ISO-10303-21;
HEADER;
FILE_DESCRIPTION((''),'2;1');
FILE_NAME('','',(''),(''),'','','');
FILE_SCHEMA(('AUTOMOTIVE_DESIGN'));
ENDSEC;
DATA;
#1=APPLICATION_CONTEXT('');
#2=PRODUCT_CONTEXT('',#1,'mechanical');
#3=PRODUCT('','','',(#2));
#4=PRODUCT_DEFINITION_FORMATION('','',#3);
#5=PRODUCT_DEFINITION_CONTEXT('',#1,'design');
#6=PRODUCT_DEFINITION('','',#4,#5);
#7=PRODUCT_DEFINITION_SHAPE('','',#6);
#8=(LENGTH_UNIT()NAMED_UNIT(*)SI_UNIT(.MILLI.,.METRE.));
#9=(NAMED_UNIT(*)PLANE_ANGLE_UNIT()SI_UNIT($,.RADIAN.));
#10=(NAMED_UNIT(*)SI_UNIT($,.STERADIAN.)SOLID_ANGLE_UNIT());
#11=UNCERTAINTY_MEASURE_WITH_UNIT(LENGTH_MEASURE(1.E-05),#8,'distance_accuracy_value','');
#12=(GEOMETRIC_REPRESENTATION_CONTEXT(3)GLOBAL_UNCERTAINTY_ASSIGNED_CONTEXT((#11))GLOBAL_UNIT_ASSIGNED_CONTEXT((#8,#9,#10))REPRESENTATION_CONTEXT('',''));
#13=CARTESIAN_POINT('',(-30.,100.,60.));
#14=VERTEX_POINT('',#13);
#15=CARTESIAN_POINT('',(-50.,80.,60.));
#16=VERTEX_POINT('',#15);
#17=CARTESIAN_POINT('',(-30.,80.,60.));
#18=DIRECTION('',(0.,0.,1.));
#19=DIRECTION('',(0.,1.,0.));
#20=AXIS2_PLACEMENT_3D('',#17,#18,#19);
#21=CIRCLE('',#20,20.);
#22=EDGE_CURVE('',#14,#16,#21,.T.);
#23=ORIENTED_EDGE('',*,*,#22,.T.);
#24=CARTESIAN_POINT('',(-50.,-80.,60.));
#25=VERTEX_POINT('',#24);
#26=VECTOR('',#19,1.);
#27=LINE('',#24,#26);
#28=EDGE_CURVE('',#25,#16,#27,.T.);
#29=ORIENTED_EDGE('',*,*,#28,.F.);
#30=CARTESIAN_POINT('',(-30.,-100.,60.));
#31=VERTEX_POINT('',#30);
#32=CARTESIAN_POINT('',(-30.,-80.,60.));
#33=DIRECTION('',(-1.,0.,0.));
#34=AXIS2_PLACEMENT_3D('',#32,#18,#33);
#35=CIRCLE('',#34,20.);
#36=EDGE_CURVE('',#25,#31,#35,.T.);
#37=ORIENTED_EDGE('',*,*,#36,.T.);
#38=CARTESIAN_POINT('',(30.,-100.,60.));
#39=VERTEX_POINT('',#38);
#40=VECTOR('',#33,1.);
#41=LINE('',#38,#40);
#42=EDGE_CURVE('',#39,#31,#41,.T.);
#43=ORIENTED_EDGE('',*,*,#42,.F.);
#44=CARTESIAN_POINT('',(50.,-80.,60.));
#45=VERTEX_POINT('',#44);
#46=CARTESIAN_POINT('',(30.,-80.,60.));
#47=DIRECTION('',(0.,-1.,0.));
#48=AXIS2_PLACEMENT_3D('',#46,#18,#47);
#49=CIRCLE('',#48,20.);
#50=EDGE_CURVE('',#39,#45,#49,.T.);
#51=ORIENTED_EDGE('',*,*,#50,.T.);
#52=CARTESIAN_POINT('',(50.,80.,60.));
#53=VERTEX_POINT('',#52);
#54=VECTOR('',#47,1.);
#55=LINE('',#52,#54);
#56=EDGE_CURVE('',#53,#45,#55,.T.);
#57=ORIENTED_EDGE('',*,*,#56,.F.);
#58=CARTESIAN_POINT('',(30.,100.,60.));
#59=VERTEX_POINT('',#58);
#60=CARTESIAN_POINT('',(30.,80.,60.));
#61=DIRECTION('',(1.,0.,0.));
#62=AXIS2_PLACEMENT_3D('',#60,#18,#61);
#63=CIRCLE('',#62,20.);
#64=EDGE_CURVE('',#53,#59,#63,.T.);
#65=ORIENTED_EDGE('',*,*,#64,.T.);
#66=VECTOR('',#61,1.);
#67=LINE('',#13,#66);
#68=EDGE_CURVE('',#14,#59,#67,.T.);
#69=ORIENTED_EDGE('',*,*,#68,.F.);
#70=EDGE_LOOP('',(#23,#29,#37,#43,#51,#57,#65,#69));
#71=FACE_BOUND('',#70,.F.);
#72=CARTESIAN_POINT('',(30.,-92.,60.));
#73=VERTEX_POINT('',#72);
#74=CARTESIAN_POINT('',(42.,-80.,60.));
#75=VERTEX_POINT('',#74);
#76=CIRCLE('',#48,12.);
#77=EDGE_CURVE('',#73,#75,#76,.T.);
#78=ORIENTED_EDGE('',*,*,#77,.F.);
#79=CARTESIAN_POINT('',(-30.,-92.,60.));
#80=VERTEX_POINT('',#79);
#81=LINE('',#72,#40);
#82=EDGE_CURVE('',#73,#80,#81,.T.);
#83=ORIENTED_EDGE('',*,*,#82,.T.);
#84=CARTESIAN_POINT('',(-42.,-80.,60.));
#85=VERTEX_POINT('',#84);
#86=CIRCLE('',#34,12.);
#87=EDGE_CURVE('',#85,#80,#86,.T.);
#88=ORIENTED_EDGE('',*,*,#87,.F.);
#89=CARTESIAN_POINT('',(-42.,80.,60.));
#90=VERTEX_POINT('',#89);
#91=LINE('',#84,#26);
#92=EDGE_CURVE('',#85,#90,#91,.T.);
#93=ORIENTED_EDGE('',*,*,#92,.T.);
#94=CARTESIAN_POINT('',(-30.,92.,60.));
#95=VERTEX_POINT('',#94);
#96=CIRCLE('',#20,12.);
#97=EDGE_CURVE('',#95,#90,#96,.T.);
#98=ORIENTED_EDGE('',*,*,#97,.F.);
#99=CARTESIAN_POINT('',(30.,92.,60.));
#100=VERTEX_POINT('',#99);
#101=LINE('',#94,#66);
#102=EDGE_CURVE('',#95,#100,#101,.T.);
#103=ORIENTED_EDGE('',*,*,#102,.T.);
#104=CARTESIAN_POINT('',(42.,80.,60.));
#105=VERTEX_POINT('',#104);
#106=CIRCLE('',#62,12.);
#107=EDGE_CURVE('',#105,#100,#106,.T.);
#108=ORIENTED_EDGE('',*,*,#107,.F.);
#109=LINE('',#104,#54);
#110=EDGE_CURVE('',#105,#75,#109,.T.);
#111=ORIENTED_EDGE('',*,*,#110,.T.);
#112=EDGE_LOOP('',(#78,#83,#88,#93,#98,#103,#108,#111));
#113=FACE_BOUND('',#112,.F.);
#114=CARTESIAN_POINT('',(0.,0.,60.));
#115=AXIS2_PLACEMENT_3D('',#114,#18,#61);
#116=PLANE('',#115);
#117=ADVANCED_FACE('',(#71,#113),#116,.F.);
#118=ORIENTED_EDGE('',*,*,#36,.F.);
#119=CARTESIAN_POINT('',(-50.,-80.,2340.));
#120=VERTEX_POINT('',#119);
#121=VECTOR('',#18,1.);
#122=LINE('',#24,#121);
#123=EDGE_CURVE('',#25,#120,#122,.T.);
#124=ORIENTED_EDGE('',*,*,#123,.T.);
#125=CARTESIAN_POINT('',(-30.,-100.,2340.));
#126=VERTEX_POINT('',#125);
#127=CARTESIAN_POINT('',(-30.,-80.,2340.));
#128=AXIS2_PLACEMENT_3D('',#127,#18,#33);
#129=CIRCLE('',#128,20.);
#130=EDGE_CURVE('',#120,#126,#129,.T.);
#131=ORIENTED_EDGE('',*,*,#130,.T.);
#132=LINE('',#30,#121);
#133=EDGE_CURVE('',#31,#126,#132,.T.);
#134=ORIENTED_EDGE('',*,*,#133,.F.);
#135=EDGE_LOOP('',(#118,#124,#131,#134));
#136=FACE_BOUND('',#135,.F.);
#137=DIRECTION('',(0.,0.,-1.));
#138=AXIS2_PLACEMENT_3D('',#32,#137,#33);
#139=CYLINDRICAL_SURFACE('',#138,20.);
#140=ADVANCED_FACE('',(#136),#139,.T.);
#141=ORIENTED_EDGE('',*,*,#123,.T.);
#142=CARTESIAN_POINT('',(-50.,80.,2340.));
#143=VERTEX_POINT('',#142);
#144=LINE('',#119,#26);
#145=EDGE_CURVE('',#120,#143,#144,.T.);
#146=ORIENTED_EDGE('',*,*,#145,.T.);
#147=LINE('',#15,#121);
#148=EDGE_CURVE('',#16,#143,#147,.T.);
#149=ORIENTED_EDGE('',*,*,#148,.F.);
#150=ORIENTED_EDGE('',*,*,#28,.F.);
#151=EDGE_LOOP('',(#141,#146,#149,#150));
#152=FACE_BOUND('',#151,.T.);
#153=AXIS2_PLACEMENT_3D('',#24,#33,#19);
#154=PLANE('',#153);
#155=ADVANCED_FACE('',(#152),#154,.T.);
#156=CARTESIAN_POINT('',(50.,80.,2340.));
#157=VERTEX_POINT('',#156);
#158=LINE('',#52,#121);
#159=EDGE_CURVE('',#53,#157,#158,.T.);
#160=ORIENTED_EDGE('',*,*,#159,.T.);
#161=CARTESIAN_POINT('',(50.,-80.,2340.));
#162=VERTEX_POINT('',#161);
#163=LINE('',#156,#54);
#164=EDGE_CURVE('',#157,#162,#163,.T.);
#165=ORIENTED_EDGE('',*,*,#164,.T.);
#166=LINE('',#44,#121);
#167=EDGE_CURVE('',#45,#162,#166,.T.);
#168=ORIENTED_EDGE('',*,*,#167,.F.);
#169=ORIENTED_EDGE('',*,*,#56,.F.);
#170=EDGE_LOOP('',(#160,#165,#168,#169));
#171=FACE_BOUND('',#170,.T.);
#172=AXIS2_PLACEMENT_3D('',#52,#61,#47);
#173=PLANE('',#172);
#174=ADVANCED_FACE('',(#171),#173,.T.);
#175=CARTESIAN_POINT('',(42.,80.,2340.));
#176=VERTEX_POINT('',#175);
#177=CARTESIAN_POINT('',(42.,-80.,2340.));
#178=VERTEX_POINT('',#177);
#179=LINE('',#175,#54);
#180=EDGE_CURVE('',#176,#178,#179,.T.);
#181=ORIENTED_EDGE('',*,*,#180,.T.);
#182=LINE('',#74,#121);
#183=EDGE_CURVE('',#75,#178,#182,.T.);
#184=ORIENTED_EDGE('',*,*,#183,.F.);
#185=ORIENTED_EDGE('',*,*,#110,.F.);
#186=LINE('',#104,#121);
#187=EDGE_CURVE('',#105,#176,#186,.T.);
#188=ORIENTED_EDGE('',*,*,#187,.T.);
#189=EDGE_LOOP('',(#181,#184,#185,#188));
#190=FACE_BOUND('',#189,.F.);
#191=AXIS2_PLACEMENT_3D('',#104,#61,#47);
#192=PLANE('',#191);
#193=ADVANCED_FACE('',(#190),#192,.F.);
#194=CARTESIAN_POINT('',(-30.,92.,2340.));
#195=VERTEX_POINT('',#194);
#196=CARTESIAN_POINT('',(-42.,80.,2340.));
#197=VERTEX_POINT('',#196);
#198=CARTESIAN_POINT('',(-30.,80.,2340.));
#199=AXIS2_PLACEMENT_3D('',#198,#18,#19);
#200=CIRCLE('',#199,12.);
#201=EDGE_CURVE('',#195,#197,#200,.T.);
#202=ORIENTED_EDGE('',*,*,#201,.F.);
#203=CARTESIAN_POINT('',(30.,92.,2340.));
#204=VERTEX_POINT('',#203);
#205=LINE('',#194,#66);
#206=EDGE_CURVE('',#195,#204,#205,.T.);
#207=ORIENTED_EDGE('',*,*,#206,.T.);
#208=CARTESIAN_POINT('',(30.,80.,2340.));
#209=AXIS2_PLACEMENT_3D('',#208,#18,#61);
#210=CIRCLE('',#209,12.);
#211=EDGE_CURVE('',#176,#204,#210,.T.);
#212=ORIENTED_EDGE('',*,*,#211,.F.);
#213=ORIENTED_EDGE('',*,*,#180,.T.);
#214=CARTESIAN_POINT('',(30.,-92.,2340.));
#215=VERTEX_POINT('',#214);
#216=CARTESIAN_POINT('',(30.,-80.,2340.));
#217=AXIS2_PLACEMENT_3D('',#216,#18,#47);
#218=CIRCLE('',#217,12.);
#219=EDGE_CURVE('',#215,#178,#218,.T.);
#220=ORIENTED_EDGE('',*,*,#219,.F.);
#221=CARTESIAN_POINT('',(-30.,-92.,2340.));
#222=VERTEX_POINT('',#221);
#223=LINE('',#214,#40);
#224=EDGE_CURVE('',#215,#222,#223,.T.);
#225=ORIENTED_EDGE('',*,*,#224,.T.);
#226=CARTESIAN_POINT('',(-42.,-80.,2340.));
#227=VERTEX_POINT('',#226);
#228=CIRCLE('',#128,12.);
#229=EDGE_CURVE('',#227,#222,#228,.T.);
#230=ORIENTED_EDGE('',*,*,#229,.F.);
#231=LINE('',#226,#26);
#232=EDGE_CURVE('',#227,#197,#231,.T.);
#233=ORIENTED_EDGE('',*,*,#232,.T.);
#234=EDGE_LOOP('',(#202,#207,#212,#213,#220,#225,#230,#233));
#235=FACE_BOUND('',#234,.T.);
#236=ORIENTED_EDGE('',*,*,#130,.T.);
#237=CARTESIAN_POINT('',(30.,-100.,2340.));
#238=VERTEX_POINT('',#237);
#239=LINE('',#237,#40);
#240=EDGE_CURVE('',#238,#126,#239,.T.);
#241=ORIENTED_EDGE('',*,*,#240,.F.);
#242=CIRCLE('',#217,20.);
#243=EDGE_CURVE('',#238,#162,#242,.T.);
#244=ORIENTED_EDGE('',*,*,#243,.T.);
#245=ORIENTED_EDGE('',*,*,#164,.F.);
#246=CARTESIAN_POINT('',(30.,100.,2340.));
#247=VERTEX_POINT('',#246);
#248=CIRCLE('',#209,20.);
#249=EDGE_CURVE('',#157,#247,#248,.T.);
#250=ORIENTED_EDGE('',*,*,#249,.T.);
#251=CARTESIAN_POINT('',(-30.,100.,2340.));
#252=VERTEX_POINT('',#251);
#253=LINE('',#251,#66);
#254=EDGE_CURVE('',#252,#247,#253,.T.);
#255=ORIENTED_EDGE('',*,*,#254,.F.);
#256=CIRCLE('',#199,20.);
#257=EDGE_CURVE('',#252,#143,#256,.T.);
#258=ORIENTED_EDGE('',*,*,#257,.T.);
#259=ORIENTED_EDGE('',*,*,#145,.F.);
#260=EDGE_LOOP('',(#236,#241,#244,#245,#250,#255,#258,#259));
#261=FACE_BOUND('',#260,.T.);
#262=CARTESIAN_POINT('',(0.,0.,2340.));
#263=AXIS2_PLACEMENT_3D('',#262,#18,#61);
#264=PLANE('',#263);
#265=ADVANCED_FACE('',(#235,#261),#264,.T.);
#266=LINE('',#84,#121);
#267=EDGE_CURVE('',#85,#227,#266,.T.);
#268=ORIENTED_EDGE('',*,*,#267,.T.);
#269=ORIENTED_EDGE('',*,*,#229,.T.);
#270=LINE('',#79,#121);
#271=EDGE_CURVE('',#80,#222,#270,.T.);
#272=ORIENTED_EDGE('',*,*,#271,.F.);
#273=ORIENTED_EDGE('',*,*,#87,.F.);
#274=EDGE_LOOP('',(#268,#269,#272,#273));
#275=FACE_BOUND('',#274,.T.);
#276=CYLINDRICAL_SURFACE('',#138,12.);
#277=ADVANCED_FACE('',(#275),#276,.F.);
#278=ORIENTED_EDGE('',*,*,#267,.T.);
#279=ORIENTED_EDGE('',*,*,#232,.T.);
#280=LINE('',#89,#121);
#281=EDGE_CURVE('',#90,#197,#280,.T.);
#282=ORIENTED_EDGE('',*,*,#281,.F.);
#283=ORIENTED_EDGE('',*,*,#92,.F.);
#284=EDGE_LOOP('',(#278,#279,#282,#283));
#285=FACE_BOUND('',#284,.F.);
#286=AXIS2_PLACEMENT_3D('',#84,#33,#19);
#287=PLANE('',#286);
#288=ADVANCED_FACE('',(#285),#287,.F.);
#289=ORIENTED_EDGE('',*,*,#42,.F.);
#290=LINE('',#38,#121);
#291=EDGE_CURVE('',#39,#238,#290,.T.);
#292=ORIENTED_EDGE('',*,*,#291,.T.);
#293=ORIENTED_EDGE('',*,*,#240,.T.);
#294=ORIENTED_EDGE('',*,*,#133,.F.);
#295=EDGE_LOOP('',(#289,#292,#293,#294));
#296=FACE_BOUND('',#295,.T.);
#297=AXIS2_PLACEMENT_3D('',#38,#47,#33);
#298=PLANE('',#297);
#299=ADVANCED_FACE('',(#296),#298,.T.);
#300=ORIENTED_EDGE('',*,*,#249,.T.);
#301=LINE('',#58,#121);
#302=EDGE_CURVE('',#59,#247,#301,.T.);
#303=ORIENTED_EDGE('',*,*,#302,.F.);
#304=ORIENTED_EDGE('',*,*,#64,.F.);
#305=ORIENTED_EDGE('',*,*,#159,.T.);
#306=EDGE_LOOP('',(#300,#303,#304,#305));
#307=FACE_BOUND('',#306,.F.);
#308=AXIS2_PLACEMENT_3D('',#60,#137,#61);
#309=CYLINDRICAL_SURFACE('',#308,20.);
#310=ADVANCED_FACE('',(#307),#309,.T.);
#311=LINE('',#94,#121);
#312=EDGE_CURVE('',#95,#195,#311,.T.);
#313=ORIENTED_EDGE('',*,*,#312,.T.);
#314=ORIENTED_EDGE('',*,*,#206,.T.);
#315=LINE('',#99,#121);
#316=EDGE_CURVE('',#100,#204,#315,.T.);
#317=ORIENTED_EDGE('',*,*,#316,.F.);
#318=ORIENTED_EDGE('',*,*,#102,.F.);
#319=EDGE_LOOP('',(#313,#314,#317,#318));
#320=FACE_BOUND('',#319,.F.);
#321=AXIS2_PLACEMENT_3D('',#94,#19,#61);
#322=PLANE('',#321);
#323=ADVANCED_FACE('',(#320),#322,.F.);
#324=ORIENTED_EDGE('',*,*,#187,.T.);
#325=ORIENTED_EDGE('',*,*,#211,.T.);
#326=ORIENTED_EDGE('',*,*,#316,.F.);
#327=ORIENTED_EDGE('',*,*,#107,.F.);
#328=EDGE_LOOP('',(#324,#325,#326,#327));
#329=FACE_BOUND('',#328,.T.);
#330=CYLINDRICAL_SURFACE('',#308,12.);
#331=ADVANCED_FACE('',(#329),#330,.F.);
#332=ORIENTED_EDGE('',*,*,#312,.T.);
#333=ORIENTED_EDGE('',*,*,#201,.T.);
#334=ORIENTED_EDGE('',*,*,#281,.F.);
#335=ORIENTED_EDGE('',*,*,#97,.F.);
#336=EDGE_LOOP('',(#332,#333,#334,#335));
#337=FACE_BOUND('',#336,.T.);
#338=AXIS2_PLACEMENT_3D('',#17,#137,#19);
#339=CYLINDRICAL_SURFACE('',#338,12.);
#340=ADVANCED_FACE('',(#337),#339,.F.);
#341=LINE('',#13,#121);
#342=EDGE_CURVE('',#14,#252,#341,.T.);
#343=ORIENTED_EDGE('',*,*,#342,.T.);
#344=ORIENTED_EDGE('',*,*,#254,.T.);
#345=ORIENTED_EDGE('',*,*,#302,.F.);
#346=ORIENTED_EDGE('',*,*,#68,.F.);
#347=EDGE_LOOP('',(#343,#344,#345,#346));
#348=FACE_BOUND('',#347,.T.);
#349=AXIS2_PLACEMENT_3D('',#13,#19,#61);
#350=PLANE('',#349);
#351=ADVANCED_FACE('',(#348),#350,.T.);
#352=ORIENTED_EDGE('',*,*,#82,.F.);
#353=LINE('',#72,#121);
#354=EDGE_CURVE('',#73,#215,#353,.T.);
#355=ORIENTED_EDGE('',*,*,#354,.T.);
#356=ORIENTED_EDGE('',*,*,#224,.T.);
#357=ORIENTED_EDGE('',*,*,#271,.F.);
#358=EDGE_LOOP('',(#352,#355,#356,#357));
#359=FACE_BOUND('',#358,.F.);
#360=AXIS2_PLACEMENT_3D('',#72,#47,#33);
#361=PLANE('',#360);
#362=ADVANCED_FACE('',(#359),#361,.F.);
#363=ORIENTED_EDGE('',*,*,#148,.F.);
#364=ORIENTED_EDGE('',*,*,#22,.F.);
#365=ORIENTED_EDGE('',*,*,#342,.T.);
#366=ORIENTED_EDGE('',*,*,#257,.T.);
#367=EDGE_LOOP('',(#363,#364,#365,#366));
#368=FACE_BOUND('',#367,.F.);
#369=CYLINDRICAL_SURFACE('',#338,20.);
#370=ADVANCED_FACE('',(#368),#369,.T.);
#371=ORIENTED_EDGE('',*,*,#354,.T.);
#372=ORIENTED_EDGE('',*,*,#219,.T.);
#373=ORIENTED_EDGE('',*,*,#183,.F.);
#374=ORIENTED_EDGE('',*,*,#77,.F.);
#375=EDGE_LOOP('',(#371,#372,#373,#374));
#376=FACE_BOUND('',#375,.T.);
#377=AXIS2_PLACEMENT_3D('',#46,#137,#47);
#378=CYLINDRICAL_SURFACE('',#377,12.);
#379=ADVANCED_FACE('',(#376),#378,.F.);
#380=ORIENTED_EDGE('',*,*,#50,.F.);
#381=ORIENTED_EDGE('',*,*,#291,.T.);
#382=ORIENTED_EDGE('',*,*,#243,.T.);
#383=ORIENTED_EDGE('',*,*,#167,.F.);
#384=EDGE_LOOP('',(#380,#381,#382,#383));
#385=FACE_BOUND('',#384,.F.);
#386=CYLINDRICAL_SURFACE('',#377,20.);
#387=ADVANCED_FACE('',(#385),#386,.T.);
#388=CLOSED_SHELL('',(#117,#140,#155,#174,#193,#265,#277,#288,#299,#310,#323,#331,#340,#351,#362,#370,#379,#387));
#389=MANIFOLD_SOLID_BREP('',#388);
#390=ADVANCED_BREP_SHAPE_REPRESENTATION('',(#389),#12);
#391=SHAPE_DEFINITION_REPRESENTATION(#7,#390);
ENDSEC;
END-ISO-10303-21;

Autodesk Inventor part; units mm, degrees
ref_plane "Start Plane" through (0, 0, 60) normal (0, 0, 1) x (1, 0, 0)
ref_plane "End Plane" through (0, 0, 2340) normal (0, 0, 1) x (1, 0, 0)
sketch "Sketch" plane through (0, 0, 0) normal (0, 0, 1) x (1, 0, 0)
  line L0 (-50, -80) -> (-50, 80)
  line L1 (-30, 100) -> (30, 100)
  line L2 (50, 80) -> (50, -80)
  line L3 (30, -100) -> (-30, -100)
  arc A0 (-50, -80) -> (-30, -100) centre (-30, -80) ccw
  arc A1 (50, 80) -> (30, 100) centre (30, 80) ccw
  arc A2 (-30, 100) -> (-50, 80) centre (-30, 80) ccw
  arc A3 (30, -100) -> (50, -80) centre (30, -80) ccw
  arc A4 (-30, 92) -> (-42, 80) centre (-30, 80) ccw
  line L4 (-30, 92) -> (30, 92)
  arc A5 (42, 80) -> (30, 92) centre (30, 80) ccw
  line L5 (42, 80) -> (42, -80)
  arc A6 (30, -92) -> (42, -80) centre (30, -80) ccw
  line L6 (30, -92) -> (-30, -92)
  arc A7 (-42, -80) -> (-30, -92) centre (-30, -80) ccw
  line L7 (-42, -80) -> (-42, 80)
  line L8 (0, 145.799) -> (0, -145.799) construction
  line L9 (-75.799, 0) -> (75.799, 0) construction
  dimension "d7" = 20
  dimension "d9" = 100
  dimension "d11" = 200
  dimension "d12" = 8
  dimension "d15" = 50
  dimension "d16" = 100
extrude "Body" add sketch "Sketch" along normal up to surface (2280 mm away) from surface at 60
sketch "Sketch3" plane through (0, 0, 0) normal (0, 0, 1) x (1, 0, 0)
  line L0 (0, 0) -> (10, 0)
ref_plane "Work Plane3" through (0, 0, 0) normal (0, -1, 0) x (1, 0, 0)
ref_plane "Work Plane4" through (50, -1900, 60) normal (0, 0, -1) x (-1, 0, 0)
split "Split1" plane through (50, -1900, 60) removes the side toward (0, 0, -1)
ref_plane "Work Plane5" through (150, -100, 2340) normal (0, 0, 1) x (1, 0, 0)
split "Split2" plane through (150, -100, 2340) removes the side toward (0, 0, 1)
sketch "Sketch4" plane through (0, 0, 0) normal (0, -1, 0) x (1, 0, 0)
  line L0 (-2, 60) -> (12, 60) projected
  line L1 (-2, 2340) -> (12, 2340) projected
  dimension "d18" = 2280
equation "\"d7\" = G_IR"
equation "\"d9\" = G_W"
equation "\"d11\" = G_H"
equation "\"d12\" = G_T"
equation "\"d15\" = 0.5 * d9"
equation "\"d16\" = 0.5 * d11"
equation "\"d3\" = G_L"
equation "\"G_W\" = 100"
equation "\"G_H\" = 200"
equation "\"G_T\" = 8"
equation "\"G_IR\" = 20"
equation "\"G_L\" = d18"
properties part number "ISO 10799-2 - 200x100x8 - 2280" material "Steel, Mild"
